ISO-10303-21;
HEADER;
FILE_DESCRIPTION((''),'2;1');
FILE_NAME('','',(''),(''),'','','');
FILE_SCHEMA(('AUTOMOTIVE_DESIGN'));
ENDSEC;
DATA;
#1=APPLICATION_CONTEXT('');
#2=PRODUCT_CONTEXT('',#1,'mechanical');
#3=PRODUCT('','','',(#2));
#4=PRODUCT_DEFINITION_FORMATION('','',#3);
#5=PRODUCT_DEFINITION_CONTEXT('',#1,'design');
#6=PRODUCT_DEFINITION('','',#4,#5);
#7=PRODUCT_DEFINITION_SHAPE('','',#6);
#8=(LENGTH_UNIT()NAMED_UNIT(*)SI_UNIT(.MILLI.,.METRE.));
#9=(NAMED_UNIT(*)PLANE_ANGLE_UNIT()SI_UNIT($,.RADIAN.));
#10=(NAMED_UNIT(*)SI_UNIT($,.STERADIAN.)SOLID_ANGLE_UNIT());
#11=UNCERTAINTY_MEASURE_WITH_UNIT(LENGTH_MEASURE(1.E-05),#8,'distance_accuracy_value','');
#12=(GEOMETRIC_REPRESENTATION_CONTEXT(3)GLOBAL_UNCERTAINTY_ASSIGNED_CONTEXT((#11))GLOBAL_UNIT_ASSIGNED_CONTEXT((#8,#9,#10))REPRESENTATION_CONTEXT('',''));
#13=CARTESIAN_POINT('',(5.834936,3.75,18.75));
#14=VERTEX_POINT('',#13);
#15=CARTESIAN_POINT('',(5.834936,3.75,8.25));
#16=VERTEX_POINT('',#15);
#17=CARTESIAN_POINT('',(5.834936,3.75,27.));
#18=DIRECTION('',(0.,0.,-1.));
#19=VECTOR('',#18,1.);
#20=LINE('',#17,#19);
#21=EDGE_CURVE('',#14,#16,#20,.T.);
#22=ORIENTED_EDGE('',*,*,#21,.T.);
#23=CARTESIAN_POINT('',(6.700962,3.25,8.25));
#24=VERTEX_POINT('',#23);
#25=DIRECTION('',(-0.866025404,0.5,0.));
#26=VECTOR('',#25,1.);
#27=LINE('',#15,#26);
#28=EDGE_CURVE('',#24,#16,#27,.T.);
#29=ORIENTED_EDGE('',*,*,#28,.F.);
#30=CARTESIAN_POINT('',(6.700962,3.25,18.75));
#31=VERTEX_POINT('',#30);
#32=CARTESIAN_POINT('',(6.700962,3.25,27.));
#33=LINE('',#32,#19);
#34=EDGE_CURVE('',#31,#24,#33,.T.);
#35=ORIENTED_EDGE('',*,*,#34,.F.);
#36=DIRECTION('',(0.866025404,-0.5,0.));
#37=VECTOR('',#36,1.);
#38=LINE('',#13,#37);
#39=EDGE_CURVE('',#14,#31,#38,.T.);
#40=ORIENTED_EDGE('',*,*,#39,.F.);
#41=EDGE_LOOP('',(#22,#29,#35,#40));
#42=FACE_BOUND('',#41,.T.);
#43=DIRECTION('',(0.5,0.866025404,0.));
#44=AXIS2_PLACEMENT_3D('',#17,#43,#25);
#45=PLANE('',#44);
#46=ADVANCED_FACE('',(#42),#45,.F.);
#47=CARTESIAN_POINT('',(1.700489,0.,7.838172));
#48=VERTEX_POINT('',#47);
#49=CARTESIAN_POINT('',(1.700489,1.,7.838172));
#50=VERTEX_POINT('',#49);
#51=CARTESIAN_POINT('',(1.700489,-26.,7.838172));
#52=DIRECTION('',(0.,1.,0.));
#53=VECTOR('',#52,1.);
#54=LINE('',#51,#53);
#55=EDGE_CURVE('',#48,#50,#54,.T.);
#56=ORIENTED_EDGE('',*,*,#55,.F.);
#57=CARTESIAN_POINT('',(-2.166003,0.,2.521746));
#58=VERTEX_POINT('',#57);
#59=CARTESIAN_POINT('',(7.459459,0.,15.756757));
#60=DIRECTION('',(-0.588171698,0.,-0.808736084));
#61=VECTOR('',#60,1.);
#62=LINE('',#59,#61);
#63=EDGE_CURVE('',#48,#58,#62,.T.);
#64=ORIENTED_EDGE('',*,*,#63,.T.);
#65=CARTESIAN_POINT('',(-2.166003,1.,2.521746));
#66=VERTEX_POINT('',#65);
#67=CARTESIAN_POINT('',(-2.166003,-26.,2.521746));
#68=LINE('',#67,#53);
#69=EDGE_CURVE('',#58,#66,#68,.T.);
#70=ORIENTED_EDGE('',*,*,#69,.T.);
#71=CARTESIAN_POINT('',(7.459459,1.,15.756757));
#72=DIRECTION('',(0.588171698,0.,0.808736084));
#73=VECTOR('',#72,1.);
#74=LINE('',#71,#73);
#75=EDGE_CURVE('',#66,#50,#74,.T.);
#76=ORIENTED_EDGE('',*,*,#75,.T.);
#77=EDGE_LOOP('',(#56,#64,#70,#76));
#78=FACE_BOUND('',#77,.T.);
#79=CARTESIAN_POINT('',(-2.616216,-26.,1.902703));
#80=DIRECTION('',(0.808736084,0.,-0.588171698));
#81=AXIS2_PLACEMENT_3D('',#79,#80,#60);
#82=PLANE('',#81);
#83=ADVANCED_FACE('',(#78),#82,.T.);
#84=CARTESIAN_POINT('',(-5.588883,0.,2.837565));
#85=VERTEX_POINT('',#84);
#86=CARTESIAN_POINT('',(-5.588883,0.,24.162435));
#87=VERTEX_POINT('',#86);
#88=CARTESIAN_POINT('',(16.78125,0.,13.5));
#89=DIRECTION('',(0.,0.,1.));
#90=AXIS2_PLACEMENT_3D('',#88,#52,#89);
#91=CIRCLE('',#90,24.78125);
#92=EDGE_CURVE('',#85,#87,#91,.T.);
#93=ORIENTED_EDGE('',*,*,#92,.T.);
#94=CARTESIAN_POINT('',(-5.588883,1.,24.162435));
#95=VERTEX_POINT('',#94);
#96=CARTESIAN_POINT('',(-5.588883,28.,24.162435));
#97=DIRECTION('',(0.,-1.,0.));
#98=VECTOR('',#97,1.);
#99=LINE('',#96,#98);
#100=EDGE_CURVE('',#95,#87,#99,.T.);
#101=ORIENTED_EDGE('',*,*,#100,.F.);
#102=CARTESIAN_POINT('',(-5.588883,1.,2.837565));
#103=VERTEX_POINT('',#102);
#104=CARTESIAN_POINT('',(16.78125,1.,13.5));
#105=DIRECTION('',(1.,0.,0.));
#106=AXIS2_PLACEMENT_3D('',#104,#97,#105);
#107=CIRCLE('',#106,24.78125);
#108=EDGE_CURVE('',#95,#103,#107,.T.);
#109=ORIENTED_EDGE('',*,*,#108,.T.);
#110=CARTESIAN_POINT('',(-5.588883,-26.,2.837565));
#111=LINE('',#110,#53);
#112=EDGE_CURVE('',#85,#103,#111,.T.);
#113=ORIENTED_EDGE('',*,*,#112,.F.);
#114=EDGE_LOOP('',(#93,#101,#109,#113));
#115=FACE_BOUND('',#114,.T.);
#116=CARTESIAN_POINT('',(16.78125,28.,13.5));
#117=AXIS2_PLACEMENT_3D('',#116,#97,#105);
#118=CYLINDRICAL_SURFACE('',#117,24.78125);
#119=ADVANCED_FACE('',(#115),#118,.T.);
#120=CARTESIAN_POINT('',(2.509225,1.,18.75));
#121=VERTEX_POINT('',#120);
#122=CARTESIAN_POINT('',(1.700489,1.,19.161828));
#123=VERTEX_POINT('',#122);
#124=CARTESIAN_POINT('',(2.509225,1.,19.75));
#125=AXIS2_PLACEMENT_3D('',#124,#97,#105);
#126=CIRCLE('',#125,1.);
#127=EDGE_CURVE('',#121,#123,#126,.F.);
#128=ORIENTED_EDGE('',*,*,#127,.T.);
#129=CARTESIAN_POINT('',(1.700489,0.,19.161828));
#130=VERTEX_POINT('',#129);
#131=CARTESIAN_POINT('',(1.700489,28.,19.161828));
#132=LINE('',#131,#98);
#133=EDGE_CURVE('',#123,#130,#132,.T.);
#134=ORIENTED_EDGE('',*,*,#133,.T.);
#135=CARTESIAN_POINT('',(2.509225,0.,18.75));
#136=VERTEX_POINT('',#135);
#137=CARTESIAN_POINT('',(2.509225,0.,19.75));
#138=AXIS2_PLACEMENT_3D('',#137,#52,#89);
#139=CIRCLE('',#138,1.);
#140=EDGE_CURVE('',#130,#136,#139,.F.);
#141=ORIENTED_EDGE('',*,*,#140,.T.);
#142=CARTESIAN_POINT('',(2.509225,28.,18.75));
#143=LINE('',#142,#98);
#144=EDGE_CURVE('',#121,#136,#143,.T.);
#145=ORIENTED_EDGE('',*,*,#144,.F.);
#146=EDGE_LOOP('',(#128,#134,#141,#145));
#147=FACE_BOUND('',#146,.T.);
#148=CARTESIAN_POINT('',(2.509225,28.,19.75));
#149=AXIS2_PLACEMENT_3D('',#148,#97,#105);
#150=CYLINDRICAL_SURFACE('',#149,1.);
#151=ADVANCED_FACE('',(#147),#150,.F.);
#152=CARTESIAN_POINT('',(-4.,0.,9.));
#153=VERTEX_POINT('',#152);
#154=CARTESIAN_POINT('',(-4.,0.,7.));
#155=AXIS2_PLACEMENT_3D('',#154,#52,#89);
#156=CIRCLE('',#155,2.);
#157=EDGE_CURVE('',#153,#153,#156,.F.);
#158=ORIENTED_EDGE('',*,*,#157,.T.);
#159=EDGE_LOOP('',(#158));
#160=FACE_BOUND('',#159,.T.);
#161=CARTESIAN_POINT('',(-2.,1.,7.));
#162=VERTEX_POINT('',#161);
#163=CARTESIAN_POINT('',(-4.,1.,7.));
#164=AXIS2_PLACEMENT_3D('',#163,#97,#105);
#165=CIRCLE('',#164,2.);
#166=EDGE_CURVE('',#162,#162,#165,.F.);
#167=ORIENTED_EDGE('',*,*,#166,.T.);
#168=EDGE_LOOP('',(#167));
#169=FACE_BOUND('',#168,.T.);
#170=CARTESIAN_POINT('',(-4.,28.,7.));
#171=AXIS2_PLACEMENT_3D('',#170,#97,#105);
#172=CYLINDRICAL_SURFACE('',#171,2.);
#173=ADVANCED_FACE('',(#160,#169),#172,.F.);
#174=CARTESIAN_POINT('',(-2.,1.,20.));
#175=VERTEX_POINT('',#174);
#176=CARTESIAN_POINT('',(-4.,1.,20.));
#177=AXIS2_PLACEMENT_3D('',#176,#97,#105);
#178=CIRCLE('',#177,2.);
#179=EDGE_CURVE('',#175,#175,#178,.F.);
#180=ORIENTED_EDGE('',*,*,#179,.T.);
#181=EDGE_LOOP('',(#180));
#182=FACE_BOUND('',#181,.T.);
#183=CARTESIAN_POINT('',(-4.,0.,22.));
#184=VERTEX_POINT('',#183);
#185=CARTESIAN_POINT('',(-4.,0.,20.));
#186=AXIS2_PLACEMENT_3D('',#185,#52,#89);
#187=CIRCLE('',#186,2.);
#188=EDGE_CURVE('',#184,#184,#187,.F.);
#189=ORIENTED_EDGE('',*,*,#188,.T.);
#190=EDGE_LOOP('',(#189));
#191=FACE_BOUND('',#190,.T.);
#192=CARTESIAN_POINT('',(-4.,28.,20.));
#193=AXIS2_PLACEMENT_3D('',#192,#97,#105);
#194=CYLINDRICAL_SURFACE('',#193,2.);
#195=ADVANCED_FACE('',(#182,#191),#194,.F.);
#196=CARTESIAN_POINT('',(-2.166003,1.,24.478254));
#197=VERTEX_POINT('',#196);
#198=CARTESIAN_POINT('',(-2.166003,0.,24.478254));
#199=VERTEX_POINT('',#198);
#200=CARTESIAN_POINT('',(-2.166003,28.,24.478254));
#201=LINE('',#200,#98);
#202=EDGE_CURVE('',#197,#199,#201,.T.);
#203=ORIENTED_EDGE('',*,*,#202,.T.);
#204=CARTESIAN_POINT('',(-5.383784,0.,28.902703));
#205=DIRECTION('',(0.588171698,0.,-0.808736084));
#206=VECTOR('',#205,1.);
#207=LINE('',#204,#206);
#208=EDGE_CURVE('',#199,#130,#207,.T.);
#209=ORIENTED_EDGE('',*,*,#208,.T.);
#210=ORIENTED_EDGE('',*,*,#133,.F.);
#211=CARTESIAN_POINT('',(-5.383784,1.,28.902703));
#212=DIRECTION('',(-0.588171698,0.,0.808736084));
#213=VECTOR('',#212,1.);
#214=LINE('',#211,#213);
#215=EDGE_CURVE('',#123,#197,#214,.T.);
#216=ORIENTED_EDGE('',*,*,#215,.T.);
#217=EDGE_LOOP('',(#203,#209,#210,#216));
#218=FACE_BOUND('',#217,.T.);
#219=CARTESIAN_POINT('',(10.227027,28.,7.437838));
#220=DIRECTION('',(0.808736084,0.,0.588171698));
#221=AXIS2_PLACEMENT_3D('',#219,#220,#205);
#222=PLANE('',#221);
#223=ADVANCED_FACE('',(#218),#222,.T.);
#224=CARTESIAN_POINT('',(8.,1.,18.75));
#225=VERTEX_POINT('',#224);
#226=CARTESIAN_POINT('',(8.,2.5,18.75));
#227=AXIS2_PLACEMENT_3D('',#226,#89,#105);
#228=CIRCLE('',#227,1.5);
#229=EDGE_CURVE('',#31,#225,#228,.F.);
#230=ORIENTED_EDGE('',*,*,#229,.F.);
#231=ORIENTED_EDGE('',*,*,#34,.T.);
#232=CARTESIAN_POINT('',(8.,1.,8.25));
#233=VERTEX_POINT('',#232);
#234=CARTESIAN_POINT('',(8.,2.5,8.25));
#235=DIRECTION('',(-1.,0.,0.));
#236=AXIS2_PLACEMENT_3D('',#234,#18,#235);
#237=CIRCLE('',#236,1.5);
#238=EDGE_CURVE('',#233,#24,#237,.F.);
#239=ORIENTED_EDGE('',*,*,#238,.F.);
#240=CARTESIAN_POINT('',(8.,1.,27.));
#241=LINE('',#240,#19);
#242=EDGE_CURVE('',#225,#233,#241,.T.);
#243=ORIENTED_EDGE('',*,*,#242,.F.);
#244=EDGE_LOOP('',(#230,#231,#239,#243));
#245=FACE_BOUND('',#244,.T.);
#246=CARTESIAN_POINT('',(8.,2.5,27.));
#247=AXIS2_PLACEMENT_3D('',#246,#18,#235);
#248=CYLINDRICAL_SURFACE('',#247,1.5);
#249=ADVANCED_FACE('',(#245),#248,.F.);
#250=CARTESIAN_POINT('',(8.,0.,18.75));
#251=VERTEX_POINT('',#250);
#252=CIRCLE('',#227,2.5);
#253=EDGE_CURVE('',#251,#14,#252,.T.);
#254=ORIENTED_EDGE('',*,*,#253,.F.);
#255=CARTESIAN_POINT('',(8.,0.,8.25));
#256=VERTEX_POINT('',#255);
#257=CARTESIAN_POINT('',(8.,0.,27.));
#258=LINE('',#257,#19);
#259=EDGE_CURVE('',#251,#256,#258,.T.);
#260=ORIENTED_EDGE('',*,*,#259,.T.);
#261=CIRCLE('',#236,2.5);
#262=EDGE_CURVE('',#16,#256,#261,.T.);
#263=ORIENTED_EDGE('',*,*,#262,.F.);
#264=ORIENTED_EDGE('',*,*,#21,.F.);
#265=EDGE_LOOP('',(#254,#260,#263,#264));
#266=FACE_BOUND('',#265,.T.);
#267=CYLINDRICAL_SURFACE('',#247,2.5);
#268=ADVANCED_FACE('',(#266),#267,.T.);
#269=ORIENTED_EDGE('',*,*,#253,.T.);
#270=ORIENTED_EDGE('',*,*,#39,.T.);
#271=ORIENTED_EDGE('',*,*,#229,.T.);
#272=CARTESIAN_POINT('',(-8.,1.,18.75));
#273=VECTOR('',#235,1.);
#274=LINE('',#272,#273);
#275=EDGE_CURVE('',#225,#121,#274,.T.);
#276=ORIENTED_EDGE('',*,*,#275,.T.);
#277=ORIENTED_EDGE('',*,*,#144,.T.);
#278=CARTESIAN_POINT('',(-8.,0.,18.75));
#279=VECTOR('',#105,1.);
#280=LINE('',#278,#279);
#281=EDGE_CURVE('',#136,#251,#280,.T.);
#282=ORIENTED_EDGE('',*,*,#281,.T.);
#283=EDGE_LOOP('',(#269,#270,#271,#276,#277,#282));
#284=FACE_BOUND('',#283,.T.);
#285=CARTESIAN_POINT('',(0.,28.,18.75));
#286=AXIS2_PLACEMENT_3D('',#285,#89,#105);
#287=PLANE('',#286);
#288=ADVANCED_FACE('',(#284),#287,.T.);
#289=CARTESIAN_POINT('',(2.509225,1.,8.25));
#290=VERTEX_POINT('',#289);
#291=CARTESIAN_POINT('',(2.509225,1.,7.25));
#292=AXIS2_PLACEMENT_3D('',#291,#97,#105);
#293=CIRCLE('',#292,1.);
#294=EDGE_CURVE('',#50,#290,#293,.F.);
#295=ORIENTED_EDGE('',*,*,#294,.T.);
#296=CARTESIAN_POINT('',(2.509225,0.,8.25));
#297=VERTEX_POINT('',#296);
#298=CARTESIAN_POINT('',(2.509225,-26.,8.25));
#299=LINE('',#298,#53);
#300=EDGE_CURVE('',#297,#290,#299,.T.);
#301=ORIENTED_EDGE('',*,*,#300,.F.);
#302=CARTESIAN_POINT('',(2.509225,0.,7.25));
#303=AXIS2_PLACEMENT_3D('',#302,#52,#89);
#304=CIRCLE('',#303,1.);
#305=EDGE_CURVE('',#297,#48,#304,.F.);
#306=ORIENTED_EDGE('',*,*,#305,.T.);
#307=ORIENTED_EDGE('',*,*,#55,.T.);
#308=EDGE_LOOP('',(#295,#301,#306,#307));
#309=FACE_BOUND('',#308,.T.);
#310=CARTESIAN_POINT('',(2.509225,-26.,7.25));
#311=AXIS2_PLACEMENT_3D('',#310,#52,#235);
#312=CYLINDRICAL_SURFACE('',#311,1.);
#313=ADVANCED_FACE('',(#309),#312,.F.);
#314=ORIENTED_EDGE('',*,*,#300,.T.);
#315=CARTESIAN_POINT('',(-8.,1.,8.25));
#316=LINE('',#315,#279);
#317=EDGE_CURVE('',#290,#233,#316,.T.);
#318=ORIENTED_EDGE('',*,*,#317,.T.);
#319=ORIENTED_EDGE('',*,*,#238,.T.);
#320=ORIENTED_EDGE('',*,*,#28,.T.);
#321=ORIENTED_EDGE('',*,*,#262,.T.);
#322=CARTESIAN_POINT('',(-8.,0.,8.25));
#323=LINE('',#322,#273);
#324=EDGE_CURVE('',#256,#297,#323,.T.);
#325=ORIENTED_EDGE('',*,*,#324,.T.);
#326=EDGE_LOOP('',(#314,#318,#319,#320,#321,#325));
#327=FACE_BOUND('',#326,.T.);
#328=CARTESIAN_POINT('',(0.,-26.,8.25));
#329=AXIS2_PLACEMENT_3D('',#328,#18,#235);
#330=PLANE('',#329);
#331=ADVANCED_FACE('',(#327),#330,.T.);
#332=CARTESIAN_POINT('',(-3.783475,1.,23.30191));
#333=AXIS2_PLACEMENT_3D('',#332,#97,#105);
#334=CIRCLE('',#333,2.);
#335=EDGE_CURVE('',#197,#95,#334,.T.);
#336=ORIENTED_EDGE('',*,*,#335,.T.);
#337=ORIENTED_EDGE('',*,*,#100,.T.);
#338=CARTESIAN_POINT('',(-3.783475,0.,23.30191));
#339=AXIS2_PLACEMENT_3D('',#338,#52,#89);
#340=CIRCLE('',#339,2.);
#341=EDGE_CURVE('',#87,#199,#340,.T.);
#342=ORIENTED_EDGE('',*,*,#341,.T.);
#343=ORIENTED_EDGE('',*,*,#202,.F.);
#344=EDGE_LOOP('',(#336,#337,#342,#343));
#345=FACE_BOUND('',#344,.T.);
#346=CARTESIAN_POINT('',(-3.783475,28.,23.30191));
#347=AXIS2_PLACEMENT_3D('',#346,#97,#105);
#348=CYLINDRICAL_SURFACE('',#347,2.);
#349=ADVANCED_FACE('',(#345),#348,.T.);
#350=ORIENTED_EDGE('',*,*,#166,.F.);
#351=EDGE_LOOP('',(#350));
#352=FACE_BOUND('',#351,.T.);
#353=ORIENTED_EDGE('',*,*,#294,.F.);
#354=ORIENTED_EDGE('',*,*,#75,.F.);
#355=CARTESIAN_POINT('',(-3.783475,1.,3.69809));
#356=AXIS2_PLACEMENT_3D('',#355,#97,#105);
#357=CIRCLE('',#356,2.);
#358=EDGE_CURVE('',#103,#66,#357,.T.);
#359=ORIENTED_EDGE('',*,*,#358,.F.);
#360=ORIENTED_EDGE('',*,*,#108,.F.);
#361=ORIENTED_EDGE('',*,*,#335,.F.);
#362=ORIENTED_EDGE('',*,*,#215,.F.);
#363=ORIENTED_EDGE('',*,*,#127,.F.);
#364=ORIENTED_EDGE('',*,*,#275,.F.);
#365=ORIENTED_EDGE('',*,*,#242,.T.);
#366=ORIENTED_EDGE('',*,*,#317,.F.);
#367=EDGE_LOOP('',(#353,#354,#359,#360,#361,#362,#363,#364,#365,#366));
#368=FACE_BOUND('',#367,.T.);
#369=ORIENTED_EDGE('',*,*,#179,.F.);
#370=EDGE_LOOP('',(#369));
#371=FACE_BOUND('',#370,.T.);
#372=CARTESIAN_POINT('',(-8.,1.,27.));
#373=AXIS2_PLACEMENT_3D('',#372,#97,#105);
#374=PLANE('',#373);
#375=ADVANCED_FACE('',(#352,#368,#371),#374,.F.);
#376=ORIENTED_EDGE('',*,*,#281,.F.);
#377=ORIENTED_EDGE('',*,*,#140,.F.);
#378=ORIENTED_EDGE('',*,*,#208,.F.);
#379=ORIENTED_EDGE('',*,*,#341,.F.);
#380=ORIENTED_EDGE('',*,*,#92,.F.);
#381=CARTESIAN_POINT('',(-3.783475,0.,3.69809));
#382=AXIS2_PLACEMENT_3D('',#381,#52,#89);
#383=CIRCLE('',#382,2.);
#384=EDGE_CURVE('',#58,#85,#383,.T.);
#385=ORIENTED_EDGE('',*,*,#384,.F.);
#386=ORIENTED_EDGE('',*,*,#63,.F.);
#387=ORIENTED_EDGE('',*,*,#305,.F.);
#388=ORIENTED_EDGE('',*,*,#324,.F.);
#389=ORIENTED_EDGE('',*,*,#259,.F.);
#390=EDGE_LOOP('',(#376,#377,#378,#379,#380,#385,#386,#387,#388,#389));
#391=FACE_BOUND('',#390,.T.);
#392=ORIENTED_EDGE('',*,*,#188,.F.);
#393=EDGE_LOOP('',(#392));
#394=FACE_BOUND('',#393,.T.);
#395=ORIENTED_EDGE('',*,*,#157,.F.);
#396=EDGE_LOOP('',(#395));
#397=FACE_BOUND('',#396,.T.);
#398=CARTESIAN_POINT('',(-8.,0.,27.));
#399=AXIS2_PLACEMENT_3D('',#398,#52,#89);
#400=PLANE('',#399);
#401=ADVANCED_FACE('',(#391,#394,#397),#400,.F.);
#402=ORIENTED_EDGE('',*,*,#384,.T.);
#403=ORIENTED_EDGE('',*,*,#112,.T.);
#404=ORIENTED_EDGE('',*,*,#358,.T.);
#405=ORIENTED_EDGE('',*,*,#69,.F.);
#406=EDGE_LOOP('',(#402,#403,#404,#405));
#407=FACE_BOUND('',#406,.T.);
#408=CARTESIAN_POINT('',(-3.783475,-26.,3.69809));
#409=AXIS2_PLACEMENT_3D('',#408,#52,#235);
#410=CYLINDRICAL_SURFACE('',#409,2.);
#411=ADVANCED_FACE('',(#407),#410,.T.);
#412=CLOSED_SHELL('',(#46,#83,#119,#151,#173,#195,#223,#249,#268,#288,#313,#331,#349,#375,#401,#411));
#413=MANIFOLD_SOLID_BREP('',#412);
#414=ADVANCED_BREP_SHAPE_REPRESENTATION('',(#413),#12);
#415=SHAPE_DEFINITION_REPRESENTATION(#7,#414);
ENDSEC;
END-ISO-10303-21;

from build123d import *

# Parameters (mm, degrees)
ESTRUSIONE_ESTRUSIONE1_DEPTH  = 27
TAGLIO_ESTRUSIONE1_DEPTH      = 27
TAGLIO_ESTRUSIONE1_DEPTH_BACK = 27
SCHIZZO2_R                    = 2


with BuildPart() as part:
    # Schizzo1 → Estrusione-Estrusione1 (new body)
    with BuildSketch(Plane.XY):
        with BuildLine():
            Line((-8, 1), (8, 1))
            ThreePointArc((8, 1), (9.299038106, 3.25), (6.700961894, 3.25))
            Line((6.700961894, 3.25), (5.834936491, 3.75))
            ThreePointArc((5.834936491, 3.75), (10.165063509, 3.75), (8, 0))
            Line((8, 0), (-8, 0))
            Line((-8, 0), (-8, 1))
        make_face()
    extrude(amount=ESTRUSIONE_ESTRUSIONE1_DEPTH)

    # Schizzo2 → Taglio-Estrusione1 (cut, two sides: drawn at the far end of the back side and taken through both)
    with BuildSketch(Plane(origin=(0, 1, 0), x_dir=(1, 0, 0), z_dir=(0, 1, 0)).offset(-TAGLIO_ESTRUSIONE1_DEPTH_BACK)):
        with BuildLine():
            Line((12, -8.25), (12, 0))
            Line((12, 0), (-8, 0))
            Line((-8, 0), (-8, -13.5))
            ThreePointArc((-8, -13.5), (-7.389705753, -8.034174396), (-5.588882762, -2.837565391))
            ThreePointArc((-5.588882762, -2.837565391), (-3.967228406, -1.706548983), (-2.166002653, -2.521746353))
            Line((-2.166002653, -2.521746353), (1.700488507, -7.838171698))
            ThreePointArc((1.700488507, -7.838171698), (2.055446947, -8.141114947), (2.509224592, -8.25))
            Line((2.509224592, -8.25), (12, -8.25))
        make_face()
        with BuildLine():
            Line((-8, -27), (12, -27))
            Line((12, -27), (12, -18.75))
            Line((12, -18.75), (2.509224592, -18.75))
            ThreePointArc((2.509224592, -18.75), (2.055446947, -18.858885053), (1.700488507, -19.161828302))
            Line((1.700488507, -19.161828302), (-2.166002653, -24.478253647))
            ThreePointArc((-2.166002653, -24.478253647), (-3.967228406, -25.293451017), (-5.588882762, -24.162434609))
            ThreePointArc((-5.588882762, -24.162434609), (-7.389705753, -18.965825604), (-8, -13.5))
            Line((-8, -13.5), (-8, -27))
        make_face()
        with Locations((-4, -7)):
            Circle(SCHIZZO2_R)
        with Locations((-4, -20)):
            Circle(SCHIZZO2_R)
    extrude(amount=TAGLIO_ESTRUSIONE1_DEPTH + TAGLIO_ESTRUSIONE1_DEPTH_BACK, mode=Mode.SUBTRACT)


solid = part.part
